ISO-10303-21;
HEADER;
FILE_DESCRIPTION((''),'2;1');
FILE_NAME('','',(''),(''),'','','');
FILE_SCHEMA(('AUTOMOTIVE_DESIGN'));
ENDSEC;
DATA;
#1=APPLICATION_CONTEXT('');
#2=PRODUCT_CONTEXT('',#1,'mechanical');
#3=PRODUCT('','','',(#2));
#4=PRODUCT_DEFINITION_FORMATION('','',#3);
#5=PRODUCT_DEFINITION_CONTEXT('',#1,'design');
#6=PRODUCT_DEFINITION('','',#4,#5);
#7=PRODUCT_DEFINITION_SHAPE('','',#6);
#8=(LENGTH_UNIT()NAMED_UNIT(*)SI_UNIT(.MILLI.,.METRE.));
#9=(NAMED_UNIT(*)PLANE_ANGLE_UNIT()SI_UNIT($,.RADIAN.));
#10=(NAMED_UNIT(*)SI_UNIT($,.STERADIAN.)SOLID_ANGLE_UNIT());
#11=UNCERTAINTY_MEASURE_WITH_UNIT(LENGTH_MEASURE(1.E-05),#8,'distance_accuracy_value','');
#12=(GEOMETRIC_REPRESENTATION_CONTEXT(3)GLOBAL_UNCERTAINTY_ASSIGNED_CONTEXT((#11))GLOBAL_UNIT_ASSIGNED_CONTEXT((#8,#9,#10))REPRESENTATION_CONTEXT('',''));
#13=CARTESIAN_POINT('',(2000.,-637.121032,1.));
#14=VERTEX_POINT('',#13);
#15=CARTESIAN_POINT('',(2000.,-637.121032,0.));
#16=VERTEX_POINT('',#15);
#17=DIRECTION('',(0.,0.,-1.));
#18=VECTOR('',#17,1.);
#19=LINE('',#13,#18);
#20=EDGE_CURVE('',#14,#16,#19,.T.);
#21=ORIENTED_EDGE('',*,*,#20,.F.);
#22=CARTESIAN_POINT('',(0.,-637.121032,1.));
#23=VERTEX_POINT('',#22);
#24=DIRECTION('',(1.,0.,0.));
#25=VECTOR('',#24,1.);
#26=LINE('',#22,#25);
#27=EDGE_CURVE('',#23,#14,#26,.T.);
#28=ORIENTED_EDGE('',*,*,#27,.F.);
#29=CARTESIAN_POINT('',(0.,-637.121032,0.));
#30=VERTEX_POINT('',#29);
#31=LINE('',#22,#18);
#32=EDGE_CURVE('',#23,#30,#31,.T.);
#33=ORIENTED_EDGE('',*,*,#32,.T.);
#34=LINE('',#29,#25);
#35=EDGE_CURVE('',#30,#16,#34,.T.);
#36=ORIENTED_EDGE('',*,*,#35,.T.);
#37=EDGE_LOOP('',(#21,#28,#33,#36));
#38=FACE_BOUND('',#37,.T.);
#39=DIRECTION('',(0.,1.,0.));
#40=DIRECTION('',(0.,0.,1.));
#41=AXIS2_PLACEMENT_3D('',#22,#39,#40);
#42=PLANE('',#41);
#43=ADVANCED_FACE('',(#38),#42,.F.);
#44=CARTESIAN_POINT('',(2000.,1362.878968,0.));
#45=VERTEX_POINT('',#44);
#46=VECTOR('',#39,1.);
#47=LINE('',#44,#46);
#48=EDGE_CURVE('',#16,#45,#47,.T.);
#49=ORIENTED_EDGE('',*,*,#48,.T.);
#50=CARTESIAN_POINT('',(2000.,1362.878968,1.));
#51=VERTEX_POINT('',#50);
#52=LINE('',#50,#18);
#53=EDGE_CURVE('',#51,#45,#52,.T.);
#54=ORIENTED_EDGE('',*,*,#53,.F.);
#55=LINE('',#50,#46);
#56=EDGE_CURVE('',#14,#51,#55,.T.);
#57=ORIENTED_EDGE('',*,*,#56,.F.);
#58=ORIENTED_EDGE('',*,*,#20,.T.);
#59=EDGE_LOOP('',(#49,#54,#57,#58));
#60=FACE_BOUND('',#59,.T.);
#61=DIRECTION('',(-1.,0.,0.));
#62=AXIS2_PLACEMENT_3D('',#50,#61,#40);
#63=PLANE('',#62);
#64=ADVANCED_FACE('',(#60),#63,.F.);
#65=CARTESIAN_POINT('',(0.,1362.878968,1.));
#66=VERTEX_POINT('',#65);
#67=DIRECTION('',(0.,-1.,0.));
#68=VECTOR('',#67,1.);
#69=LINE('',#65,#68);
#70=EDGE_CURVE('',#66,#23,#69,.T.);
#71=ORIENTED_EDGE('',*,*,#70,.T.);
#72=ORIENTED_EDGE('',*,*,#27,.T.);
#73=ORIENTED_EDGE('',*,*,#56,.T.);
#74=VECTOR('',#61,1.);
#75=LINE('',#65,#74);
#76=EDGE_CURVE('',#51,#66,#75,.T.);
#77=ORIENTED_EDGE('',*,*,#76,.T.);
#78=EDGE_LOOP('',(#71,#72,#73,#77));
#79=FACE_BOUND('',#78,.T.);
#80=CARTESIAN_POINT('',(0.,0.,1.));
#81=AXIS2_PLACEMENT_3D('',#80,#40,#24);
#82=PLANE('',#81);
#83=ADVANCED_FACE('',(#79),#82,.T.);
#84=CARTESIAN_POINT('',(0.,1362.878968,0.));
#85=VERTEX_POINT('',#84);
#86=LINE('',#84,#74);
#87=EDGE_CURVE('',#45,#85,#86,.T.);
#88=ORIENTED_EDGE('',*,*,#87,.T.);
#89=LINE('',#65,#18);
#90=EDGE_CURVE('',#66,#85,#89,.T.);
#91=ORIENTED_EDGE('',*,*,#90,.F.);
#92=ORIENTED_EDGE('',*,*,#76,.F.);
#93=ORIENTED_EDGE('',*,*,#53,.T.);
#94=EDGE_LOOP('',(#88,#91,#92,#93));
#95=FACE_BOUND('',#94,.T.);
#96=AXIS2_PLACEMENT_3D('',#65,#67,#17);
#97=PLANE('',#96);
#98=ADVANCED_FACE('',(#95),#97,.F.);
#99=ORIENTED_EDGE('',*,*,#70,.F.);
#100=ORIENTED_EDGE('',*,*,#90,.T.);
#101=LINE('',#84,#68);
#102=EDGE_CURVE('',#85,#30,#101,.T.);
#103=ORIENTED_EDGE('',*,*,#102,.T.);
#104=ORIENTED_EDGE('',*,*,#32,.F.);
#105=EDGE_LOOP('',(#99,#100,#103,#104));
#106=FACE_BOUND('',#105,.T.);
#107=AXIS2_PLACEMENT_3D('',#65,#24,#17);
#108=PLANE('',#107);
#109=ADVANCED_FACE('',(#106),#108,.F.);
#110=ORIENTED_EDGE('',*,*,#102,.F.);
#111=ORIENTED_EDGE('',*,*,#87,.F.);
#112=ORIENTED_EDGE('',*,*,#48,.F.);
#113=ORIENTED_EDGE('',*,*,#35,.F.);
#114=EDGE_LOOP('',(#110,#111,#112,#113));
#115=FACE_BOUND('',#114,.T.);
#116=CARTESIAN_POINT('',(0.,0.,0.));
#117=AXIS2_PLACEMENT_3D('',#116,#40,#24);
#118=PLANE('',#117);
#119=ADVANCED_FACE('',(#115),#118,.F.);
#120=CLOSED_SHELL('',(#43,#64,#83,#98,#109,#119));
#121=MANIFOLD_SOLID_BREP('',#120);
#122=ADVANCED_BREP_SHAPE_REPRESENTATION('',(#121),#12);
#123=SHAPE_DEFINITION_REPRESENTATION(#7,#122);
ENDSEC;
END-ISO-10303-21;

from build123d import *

# Parameters (mm, degrees)
ESQUISSE1_W        = 2000
ESQUISSE1_H        = 2000
BOSS_EXTRU_1_DEPTH = 1


with BuildPart() as part:
    # Esquisse1 → Boss.-Extru.1 (new body)
    with BuildSketch(Plane.XY):
        with Locations((1000, 362.878968322)):
            Rectangle(ESQUISSE1_W, ESQUISSE1_H)
    extrude(amount=BOSS_EXTRU_1_DEPTH)


solid = part.part
